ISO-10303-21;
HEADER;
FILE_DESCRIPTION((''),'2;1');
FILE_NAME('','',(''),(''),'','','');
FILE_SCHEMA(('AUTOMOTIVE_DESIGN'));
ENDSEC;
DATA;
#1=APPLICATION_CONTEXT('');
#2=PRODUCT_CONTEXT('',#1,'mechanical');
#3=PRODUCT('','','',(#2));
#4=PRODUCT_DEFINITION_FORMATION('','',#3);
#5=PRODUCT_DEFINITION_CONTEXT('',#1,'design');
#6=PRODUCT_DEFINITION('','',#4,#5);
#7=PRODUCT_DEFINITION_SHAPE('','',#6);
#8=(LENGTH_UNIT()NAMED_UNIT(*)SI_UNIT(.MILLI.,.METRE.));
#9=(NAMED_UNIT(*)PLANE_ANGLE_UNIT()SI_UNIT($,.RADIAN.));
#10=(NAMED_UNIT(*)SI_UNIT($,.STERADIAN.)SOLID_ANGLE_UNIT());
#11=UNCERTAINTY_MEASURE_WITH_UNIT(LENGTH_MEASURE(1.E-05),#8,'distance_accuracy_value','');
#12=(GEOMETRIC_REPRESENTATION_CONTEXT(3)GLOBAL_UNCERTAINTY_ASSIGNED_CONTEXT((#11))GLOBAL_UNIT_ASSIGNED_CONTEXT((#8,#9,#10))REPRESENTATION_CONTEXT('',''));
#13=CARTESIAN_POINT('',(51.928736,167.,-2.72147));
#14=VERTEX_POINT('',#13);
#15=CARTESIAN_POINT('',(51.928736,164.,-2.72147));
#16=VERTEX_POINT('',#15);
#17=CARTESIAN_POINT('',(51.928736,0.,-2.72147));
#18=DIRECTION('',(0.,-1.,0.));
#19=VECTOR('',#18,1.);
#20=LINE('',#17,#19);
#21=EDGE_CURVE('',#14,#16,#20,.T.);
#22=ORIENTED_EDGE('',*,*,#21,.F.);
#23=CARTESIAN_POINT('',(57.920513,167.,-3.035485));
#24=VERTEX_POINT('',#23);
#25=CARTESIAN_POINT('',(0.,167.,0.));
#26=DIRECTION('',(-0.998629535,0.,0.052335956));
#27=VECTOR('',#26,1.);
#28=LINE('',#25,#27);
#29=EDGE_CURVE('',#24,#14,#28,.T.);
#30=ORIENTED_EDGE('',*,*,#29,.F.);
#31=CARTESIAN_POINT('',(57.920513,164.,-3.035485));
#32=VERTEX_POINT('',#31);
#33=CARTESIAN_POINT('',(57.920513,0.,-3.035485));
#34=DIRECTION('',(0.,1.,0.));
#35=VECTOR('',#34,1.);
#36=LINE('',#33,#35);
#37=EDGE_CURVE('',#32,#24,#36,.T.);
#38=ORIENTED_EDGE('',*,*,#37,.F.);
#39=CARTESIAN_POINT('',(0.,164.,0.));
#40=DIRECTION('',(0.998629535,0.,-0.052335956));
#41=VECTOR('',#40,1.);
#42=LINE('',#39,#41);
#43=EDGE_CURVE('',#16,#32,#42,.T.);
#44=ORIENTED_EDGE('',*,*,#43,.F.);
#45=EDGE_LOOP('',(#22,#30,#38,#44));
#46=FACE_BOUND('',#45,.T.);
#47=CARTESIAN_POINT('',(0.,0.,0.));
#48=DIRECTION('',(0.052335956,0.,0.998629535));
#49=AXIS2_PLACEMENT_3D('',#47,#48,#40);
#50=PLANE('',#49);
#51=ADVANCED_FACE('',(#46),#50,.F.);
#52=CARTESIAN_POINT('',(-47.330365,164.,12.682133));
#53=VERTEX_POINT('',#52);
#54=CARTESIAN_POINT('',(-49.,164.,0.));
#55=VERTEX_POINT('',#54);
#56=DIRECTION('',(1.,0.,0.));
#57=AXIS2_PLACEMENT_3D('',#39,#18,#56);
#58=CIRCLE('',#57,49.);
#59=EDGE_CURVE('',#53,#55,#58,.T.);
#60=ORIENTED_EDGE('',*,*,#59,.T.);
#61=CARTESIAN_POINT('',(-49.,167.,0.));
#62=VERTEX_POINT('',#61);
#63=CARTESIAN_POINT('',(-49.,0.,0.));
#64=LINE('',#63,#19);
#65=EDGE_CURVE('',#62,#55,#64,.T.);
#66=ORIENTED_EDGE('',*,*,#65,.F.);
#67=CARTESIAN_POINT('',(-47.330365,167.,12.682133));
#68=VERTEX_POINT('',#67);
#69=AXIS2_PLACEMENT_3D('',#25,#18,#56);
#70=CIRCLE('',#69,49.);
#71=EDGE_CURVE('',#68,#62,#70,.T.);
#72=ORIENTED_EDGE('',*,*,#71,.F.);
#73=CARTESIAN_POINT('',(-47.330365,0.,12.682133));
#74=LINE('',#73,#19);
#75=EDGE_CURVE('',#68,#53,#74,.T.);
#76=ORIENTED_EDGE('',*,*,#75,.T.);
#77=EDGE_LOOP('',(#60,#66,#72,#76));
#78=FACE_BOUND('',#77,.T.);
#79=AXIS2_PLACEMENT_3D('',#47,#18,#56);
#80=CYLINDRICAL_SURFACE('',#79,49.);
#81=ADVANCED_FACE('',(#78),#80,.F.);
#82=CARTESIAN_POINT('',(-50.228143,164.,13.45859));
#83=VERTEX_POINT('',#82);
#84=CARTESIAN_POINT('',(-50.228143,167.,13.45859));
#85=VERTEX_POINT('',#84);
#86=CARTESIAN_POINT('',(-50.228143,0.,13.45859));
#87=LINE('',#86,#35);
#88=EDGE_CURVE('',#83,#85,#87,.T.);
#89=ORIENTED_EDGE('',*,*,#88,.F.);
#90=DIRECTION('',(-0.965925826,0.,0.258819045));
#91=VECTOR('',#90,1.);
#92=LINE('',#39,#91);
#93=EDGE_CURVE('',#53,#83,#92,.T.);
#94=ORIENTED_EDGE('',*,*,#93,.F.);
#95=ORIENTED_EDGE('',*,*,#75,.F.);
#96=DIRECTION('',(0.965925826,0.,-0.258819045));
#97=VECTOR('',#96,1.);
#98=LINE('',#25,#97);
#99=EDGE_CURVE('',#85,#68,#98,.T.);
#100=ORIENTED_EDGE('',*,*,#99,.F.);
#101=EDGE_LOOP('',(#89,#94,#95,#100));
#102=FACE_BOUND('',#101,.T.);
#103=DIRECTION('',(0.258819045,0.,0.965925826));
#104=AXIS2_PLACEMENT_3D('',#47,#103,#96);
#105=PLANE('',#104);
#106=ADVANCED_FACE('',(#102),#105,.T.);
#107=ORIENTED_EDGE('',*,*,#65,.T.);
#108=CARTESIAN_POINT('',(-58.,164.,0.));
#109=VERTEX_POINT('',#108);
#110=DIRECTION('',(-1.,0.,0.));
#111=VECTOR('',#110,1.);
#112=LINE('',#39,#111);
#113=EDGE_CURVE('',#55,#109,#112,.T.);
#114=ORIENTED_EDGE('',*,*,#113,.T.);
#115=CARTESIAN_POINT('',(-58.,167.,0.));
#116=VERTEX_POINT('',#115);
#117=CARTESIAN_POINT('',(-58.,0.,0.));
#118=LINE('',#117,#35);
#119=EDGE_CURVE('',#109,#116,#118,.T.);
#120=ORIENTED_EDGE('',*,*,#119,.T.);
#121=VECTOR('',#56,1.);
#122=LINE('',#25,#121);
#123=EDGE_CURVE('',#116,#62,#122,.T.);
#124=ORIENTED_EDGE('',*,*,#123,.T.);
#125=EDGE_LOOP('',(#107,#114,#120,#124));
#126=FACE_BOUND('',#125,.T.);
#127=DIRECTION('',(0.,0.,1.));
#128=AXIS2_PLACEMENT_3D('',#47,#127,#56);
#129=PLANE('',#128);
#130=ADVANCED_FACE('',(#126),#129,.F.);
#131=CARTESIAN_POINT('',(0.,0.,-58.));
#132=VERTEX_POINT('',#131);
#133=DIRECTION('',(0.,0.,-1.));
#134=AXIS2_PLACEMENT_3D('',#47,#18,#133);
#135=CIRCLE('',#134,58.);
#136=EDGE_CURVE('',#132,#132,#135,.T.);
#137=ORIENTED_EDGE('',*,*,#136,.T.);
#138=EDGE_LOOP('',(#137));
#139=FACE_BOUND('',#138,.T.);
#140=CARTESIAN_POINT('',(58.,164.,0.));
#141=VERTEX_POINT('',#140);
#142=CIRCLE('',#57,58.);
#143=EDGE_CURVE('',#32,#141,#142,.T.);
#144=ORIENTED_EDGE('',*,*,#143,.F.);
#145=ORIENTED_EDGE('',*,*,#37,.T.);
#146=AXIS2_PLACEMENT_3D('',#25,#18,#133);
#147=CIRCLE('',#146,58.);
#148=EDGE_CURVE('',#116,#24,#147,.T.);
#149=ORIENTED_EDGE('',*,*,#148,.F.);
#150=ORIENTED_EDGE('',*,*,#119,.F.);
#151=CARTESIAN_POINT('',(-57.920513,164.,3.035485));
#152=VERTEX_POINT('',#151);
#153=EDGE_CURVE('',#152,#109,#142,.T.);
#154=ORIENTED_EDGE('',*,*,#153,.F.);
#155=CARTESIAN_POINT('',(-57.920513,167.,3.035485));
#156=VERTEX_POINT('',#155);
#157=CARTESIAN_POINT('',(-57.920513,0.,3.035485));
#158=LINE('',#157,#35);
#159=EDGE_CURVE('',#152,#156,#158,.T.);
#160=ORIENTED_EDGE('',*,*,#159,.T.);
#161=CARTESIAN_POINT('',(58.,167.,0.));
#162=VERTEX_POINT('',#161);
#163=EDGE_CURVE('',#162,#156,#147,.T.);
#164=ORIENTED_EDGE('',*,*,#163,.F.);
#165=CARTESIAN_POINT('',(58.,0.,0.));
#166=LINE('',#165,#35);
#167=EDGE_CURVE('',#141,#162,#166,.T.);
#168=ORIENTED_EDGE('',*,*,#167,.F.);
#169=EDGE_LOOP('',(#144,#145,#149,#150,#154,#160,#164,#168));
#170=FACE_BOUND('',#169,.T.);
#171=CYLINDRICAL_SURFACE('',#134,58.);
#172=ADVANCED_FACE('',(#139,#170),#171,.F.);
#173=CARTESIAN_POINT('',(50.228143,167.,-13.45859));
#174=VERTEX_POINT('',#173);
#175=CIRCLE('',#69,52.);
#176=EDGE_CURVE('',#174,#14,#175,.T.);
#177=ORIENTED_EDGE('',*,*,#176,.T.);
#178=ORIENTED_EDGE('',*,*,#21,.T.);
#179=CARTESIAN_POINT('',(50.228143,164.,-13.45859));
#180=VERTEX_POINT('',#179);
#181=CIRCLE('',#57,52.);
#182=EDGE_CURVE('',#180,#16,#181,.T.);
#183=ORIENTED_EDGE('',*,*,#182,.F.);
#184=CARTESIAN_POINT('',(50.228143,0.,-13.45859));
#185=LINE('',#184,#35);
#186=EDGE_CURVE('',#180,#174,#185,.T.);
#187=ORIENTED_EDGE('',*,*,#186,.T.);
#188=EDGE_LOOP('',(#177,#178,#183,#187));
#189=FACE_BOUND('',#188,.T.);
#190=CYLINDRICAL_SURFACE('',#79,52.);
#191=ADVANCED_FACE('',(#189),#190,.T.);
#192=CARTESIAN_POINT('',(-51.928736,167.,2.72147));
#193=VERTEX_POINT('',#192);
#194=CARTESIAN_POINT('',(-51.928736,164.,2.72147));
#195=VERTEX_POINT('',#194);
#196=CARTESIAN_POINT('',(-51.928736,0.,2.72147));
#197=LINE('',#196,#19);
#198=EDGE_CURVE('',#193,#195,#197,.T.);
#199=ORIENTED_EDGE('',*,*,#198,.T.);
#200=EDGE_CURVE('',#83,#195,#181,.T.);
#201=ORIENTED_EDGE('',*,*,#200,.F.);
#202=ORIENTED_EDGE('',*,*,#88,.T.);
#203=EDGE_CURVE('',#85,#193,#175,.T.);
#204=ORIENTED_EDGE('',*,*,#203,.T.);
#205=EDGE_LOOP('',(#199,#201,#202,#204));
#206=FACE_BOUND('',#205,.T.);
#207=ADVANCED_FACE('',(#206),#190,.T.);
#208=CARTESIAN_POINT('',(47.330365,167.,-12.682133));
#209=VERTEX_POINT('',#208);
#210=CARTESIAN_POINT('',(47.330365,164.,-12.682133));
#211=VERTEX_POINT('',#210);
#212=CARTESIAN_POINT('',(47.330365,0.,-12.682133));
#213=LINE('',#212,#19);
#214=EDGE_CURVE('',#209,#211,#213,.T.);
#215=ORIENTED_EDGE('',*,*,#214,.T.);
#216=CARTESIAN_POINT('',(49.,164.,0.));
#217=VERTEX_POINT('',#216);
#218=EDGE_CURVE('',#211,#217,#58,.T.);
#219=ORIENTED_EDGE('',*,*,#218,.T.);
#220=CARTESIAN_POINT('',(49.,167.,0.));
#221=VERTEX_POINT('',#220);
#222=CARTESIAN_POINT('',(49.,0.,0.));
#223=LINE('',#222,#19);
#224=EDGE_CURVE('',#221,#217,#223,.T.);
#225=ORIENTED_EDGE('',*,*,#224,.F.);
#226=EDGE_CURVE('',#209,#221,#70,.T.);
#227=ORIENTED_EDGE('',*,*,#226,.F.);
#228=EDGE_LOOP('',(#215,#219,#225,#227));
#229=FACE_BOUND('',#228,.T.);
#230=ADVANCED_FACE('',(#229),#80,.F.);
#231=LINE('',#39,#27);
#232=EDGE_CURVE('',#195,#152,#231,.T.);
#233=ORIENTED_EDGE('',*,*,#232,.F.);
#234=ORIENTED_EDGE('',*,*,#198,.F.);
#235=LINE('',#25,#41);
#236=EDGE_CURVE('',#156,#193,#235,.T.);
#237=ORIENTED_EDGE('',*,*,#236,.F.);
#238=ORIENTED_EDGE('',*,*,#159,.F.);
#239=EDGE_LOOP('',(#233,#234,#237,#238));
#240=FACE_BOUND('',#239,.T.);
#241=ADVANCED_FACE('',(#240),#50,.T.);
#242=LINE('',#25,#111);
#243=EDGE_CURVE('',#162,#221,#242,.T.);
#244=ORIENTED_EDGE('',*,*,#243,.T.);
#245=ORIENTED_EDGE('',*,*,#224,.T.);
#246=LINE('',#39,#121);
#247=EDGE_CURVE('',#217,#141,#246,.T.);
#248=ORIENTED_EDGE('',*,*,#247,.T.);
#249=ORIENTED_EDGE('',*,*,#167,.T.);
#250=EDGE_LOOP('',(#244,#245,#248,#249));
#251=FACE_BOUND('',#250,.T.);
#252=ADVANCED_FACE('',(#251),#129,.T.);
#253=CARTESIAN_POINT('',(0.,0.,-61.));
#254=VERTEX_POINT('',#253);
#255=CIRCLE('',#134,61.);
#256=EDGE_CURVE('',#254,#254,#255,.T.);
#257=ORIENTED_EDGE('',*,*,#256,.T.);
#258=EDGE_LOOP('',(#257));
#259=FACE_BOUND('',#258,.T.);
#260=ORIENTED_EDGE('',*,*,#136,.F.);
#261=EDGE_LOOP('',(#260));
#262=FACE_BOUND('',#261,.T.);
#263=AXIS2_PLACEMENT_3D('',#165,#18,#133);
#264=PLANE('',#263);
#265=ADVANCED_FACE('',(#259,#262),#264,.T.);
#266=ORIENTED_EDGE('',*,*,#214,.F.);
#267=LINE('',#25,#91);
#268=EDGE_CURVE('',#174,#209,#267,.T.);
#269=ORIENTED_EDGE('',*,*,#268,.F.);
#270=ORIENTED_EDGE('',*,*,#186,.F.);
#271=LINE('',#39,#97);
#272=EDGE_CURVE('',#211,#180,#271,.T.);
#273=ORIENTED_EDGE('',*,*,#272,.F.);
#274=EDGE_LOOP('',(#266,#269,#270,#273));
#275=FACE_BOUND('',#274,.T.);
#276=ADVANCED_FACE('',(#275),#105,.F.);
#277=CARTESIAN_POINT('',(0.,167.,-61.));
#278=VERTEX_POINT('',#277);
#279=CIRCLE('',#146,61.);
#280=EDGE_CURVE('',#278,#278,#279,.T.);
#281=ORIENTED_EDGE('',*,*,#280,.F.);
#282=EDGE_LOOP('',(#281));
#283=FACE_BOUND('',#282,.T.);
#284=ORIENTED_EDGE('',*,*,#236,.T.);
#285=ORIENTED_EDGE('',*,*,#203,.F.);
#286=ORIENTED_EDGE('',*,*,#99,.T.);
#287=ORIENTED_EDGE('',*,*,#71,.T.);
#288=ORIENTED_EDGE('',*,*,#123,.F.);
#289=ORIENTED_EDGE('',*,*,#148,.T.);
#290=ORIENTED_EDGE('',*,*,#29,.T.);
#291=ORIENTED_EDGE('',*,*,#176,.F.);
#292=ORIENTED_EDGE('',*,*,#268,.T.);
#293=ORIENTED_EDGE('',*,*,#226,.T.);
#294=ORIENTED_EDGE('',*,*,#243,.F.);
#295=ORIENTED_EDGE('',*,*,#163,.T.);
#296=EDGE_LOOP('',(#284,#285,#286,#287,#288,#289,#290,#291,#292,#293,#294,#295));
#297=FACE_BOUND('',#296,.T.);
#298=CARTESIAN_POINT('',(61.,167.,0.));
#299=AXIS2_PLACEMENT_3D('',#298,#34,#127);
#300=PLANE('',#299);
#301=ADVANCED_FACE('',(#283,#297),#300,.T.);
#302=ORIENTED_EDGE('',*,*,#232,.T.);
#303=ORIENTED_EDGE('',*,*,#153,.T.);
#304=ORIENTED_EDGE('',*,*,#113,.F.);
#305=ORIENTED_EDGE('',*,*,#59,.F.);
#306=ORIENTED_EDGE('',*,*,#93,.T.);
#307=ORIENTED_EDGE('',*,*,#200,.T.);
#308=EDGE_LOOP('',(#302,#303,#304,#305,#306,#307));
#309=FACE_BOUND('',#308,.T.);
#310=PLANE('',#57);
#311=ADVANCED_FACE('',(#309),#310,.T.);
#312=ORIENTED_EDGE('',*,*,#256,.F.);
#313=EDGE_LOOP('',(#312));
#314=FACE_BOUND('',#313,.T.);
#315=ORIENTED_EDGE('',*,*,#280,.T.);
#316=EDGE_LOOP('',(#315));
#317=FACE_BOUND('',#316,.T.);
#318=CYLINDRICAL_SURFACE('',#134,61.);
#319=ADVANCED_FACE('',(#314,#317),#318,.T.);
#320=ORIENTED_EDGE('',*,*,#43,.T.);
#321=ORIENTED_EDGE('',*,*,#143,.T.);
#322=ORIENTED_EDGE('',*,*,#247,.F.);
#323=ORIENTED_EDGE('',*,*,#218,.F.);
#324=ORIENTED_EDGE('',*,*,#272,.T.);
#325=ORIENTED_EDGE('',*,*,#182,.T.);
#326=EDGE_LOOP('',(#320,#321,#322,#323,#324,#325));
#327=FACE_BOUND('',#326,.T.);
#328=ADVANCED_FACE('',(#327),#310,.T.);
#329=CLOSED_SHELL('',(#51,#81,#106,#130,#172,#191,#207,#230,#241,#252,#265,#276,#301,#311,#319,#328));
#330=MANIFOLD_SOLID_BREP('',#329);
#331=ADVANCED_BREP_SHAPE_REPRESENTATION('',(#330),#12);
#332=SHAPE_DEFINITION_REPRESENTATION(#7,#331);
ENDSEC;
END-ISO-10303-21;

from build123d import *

# Parameters (mm, degrees)
SKETCH1_W      = 3
SKETCH1_H      = 167
SKETCH2_W      = 6
SKETCH2_H      = 3
REVOLVE2_ANGLE = 3
SKETCH3_W      = 3
SKETCH3_H      = 3
REVOLVE3_ANGLE = 15


with BuildPart() as part:
    # Sketch1 → Revolve1 (revolve)
    with BuildSketch(Plane.XY, mode=Mode.PRIVATE) as revolve1_sk:
        with Locations((59.5, 83.5)):
            Rectangle(SKETCH1_W, SKETCH1_H)
    revolve(revolve1_sk.sketch.rotate(Axis((0, 0, 0), (0, 1, 0)), 90), axis=Axis((0, 0, 0), (0, 1, 0)))

    # Sketch2 → Revolve2 (revolve)
    with BuildSketch(Plane.XY):
        with Locations((-55, 165.5)):
            Rectangle(SKETCH2_W, SKETCH2_H)
        with Locations((55, 165.5)):
            Rectangle(SKETCH2_W, SKETCH2_H)
    revolve(axis=Axis((0, 0, 0), (0, 1, 0)), revolution_arc=REVOLVE2_ANGLE)

    # Sketch3 → Revolve3 (revolve)
    with BuildSketch(Plane.XY):
        with Locations((-50.5, 165.5)):
            Rectangle(SKETCH3_W, SKETCH3_H)
        with Locations((50.5, 165.5)):
            Rectangle(SKETCH3_W, SKETCH3_H)
    revolve(axis=Axis((0, 0, 0), (0, 1, 0)), revolution_arc=REVOLVE3_ANGLE)


solid = part.part
